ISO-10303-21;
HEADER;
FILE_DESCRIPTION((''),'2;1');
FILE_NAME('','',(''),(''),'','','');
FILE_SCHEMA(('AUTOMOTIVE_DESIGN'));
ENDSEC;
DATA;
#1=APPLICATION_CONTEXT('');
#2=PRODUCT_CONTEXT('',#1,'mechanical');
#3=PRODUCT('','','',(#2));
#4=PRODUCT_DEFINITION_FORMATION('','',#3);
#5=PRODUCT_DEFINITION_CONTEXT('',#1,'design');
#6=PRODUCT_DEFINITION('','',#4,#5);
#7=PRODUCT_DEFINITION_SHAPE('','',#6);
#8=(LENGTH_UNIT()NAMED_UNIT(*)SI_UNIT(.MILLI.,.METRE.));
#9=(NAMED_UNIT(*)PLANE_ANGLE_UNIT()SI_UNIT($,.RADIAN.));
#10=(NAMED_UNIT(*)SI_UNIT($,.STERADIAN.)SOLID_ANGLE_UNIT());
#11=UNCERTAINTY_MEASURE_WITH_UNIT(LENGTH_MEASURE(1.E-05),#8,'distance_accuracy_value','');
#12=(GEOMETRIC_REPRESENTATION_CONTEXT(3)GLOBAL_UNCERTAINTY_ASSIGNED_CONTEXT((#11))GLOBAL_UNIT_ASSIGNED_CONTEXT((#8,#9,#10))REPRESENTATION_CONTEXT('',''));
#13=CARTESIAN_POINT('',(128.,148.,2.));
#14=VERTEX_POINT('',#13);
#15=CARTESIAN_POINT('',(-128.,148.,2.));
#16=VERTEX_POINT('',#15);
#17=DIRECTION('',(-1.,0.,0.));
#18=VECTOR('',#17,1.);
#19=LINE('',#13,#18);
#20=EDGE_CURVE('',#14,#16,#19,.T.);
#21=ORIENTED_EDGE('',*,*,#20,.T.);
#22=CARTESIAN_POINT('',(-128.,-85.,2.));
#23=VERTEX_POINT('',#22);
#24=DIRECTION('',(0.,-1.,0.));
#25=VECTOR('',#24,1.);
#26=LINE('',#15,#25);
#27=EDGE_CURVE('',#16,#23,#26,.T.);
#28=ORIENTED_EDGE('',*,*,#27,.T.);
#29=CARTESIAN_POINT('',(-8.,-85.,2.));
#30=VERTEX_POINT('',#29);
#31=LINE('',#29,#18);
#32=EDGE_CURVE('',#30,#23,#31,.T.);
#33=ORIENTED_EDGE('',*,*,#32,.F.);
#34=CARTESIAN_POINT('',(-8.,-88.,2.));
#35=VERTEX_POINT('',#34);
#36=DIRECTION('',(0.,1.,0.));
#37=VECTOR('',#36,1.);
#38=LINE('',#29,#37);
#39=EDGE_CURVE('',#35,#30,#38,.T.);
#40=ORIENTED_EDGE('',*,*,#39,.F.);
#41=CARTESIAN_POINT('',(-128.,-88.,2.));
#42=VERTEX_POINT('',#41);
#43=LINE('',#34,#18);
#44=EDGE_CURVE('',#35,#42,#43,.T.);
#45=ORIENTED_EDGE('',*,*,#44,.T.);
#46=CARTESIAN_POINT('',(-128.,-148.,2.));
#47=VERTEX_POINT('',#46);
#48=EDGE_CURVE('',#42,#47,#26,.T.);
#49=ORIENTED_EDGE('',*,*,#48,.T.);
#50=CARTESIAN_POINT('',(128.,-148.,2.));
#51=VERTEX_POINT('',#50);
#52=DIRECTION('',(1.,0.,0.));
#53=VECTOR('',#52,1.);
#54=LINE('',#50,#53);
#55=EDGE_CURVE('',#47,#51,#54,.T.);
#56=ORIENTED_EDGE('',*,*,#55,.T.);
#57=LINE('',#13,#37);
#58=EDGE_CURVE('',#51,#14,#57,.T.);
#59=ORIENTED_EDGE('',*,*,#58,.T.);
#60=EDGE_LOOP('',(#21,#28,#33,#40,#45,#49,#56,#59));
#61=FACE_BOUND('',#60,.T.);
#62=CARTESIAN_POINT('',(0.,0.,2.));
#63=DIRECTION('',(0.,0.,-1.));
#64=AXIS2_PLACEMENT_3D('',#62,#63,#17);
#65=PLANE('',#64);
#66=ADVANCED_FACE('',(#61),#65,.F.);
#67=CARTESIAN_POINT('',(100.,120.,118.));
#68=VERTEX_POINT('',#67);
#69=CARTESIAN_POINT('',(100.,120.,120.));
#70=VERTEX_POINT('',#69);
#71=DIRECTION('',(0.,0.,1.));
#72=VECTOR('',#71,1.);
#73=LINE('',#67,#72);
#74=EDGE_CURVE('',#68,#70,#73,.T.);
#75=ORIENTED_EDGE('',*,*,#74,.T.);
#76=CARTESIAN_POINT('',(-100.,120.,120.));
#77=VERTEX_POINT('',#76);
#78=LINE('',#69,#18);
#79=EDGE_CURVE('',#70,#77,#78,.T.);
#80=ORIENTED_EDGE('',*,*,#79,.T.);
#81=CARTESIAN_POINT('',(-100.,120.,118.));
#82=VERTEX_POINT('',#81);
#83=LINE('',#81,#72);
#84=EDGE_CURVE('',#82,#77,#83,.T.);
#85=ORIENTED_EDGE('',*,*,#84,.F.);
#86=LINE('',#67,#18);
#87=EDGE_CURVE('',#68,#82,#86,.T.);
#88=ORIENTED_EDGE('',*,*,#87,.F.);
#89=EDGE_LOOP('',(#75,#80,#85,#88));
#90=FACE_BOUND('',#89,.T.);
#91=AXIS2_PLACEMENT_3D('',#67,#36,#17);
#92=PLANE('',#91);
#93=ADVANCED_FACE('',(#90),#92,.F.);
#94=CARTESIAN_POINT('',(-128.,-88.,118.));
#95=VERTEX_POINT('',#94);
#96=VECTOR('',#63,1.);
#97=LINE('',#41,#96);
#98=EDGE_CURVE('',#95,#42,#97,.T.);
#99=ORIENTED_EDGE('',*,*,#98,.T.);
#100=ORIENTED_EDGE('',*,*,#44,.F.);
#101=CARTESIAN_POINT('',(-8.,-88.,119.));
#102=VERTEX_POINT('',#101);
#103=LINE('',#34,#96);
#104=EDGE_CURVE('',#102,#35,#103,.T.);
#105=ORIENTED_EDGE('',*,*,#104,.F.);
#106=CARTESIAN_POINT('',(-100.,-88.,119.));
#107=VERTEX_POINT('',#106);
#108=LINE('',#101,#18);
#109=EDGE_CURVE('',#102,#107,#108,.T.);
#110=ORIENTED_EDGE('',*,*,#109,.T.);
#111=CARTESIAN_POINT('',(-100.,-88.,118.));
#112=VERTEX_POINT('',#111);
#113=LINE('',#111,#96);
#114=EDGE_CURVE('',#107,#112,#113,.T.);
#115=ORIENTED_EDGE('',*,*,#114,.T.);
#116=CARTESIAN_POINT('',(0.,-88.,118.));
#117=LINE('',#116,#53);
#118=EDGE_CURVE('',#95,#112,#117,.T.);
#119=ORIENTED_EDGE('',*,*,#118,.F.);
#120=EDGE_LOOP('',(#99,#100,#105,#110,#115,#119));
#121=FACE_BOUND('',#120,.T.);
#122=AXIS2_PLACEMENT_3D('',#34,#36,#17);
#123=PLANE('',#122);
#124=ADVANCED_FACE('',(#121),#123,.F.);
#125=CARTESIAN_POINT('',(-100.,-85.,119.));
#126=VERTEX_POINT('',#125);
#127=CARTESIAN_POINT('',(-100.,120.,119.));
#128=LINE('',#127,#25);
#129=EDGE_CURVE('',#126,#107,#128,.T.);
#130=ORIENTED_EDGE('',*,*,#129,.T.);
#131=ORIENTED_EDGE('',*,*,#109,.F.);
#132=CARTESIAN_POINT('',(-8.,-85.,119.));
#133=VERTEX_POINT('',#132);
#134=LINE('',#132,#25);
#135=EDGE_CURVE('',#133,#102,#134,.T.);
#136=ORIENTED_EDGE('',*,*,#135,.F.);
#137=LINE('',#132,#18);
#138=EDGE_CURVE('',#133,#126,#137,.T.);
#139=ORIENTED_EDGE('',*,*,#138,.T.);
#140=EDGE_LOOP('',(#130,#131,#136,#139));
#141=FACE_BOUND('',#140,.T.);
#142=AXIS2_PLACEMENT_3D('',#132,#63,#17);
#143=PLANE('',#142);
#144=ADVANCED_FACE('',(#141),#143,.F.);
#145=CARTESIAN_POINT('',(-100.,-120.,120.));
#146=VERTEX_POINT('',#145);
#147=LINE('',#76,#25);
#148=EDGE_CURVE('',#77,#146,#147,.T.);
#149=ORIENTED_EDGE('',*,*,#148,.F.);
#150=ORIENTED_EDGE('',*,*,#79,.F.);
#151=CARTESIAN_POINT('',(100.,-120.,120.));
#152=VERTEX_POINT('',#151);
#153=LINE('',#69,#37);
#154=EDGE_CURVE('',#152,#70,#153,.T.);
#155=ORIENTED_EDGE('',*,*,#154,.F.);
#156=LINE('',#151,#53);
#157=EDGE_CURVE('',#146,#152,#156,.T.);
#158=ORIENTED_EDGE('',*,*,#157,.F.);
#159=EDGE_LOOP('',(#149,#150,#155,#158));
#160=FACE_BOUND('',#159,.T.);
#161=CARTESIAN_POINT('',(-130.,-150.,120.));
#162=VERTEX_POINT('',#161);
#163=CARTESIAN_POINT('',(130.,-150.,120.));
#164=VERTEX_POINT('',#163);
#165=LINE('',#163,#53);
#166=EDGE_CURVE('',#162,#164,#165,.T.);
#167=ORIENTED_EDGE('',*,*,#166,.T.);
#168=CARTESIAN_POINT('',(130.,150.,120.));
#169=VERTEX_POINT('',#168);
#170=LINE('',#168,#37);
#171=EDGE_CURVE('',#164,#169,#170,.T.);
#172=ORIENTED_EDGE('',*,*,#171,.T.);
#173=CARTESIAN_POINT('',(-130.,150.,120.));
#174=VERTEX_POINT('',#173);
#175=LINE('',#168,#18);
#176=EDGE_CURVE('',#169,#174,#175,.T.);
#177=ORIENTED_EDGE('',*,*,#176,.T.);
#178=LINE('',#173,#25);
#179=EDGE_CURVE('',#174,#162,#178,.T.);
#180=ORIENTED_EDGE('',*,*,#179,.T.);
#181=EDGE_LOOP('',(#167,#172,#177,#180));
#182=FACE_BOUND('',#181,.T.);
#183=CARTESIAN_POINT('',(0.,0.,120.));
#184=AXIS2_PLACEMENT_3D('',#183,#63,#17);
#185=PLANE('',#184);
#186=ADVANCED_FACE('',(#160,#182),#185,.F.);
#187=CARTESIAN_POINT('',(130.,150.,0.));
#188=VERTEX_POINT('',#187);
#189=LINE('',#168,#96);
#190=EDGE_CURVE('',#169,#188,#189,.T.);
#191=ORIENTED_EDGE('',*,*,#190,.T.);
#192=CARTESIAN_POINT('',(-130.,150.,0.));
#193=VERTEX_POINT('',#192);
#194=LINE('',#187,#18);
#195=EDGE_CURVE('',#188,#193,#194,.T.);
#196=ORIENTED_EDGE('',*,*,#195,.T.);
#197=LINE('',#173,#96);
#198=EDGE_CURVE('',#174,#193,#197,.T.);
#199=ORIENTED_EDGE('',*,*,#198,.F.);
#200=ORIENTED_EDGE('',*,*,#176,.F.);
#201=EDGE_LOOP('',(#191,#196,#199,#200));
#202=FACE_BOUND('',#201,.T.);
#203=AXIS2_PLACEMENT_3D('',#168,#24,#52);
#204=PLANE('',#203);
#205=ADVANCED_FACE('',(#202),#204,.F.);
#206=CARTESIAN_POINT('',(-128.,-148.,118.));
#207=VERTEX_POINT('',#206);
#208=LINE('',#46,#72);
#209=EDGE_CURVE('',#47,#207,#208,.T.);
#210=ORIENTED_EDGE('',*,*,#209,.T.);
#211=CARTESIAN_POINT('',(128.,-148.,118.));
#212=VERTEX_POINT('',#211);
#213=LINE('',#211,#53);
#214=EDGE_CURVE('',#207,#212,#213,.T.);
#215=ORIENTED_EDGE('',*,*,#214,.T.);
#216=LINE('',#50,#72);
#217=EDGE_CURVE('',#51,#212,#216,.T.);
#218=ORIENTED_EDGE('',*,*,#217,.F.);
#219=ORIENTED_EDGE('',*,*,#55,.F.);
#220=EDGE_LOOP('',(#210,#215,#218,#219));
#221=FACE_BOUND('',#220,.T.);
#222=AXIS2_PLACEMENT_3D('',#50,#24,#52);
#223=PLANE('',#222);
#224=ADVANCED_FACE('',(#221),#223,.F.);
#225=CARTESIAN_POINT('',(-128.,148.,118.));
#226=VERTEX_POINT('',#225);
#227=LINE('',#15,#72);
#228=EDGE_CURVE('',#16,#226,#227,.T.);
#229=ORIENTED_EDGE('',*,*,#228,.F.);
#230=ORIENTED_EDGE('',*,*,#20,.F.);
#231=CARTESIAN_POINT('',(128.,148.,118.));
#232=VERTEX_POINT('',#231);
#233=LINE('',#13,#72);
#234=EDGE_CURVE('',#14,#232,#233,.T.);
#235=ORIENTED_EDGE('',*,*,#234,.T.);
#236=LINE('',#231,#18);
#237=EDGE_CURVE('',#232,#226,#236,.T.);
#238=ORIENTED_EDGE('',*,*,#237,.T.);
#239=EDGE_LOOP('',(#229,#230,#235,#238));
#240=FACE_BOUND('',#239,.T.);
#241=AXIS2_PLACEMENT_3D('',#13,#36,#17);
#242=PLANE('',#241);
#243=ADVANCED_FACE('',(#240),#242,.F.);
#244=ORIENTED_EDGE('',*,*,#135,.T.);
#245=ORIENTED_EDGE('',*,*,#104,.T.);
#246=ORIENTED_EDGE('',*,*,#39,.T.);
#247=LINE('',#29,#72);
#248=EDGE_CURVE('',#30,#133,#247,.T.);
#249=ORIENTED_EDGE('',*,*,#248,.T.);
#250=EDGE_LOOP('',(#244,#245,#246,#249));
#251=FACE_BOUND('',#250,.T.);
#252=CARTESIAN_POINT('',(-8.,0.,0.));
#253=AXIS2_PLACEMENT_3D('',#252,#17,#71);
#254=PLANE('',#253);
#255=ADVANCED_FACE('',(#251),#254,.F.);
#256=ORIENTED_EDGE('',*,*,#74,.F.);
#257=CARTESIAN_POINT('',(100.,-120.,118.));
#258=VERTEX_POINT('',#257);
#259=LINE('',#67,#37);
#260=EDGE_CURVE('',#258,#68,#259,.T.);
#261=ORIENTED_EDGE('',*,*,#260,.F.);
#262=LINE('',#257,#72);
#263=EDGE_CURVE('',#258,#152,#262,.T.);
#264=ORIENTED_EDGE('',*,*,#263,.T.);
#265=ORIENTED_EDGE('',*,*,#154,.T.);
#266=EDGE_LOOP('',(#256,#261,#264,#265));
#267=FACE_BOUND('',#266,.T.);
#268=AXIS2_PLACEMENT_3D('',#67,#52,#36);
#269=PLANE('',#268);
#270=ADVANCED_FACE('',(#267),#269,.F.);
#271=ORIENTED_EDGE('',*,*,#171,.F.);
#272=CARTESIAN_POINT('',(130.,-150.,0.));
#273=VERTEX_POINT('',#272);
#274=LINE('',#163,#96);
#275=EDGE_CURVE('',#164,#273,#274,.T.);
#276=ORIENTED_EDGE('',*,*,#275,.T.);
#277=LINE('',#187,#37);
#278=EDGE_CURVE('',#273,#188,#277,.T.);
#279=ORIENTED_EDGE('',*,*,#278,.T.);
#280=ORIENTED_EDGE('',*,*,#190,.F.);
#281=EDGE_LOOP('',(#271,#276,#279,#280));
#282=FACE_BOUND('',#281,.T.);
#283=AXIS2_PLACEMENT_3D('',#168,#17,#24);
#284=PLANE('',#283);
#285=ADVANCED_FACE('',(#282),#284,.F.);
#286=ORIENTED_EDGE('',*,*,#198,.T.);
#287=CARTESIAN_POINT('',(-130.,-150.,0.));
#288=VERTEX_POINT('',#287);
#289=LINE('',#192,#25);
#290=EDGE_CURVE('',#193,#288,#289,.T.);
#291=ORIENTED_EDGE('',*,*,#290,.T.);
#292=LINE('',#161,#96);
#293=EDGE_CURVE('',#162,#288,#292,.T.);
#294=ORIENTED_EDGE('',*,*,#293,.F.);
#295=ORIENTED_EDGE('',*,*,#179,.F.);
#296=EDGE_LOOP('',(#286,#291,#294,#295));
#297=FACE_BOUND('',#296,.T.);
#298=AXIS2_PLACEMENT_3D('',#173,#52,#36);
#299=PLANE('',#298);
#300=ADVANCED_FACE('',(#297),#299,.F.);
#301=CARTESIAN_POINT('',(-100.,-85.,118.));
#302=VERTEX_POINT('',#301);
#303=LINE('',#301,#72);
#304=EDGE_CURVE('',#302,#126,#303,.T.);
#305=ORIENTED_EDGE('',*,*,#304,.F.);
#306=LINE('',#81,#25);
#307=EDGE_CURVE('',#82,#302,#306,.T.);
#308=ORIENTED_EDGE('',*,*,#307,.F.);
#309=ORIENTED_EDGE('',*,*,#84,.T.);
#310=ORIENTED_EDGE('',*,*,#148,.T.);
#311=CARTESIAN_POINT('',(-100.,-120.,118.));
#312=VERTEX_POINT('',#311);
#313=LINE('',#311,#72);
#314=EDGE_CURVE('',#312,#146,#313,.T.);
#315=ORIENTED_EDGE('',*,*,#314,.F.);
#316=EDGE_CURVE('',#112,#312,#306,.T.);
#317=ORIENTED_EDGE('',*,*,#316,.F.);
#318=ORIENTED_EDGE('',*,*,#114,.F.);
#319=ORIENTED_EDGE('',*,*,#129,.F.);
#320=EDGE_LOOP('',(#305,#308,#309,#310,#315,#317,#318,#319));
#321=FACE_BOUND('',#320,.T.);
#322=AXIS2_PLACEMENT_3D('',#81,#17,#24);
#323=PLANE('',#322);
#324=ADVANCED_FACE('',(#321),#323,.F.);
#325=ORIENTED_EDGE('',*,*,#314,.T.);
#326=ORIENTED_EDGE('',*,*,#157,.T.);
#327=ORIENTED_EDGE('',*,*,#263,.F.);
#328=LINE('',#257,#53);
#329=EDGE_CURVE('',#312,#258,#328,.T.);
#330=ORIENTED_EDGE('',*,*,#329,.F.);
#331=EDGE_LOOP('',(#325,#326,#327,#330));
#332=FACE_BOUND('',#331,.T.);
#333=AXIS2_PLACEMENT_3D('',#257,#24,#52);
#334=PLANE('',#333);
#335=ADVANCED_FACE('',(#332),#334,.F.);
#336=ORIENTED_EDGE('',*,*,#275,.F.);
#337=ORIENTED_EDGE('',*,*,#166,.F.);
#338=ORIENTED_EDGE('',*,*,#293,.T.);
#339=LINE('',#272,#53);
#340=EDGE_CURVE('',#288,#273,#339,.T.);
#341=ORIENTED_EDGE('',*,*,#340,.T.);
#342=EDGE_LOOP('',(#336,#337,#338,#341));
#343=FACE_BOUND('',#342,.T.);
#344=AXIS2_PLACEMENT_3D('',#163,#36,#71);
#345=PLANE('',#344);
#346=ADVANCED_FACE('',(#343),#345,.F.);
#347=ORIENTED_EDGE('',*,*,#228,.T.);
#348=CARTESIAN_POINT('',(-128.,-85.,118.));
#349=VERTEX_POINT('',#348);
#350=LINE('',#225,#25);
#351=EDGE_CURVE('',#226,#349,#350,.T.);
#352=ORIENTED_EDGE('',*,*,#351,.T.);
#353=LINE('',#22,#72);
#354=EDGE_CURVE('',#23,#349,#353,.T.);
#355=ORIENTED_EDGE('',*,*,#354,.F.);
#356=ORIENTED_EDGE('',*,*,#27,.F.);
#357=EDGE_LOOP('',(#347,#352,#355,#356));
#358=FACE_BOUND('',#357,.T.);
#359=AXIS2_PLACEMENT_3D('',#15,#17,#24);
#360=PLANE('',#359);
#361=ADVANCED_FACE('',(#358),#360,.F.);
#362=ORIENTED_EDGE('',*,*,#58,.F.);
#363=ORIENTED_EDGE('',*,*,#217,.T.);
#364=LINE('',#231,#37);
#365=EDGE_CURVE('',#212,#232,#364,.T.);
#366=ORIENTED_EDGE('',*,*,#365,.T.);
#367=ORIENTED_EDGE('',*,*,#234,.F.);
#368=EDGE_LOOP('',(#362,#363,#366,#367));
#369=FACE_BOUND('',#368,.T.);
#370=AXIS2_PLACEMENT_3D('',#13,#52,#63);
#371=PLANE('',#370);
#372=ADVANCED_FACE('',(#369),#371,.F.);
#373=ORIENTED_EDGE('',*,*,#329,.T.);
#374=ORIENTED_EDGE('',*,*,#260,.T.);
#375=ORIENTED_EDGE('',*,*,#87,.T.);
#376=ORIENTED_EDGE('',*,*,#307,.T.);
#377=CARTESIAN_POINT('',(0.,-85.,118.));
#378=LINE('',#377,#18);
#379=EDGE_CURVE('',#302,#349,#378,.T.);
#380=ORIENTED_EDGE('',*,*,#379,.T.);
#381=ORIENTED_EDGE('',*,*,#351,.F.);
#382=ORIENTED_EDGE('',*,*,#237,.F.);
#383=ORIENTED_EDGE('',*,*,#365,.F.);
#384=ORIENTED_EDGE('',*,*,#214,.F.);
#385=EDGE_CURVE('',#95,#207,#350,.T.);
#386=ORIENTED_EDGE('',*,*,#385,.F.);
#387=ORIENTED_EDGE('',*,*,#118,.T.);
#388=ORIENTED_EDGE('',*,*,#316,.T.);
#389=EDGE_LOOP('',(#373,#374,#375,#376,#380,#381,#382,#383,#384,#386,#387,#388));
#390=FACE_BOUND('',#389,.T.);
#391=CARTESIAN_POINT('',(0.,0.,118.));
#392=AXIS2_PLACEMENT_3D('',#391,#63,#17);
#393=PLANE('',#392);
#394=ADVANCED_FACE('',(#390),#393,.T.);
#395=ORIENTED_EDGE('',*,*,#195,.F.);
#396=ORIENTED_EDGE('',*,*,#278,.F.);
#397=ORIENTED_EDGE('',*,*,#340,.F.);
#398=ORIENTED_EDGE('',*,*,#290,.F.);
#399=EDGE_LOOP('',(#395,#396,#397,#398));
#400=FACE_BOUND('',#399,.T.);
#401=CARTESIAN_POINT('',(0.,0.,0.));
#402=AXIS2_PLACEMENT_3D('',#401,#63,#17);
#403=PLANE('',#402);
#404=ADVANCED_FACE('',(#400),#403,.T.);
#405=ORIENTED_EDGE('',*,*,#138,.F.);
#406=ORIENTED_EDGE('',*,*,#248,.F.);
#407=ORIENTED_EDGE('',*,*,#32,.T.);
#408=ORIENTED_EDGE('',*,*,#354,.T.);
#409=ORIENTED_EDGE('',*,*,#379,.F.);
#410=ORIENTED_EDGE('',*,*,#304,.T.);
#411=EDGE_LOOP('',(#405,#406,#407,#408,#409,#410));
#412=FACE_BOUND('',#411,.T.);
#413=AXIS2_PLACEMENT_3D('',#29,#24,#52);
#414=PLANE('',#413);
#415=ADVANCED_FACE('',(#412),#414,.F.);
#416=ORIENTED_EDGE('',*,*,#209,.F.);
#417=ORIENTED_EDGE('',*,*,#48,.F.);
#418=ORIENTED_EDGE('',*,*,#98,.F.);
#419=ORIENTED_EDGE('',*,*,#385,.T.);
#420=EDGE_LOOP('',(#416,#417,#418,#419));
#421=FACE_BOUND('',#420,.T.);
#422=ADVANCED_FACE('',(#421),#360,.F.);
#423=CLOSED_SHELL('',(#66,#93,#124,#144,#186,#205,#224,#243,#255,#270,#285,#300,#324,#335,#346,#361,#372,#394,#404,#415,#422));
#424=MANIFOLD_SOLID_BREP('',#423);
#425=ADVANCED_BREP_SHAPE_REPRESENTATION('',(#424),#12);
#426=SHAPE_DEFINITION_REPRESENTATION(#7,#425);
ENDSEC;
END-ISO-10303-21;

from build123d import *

# Parameters (mm, degrees)
CROQUIS2_W              = 260
CROQUIS2_H              = 300
SALIENTE_EXTRUIR1_DEPTH = 120
CROQUIS3_W              = 200
CROQUIS3_H              = 240
CORTAR_EXTRUIR2_DEPTH   = 2
CROQUIS4_W              = 256
CROQUIS4_H              = 296
CORTAR_EXTRUIR3_DEPTH   = 116
CROQUIS6_W              = 117
CROQUIS6_H              = 3
SALIENTE_EXTRUIR2_DEPTH = 120


with BuildPart() as part:
    # Croquis2 → Saliente-Extruir1 (new body)
    with BuildSketch(Plane.XY):
        Rectangle(CROQUIS2_W, CROQUIS2_H)
    extrude(amount=SALIENTE_EXTRUIR1_DEPTH)

    # Croquis3 → Cortar-Extruir2 (cut)
    with BuildSketch(Plane.XY.offset(120)):
        Rectangle(CROQUIS3_W, CROQUIS3_H)
    extrude(amount=-CORTAR_EXTRUIR2_DEPTH, mode=Mode.SUBTRACT)

    # Croquis4 → Cortar-Extruir3 (cut)
    with BuildSketch(Plane.XY.offset(118)):
        Rectangle(CROQUIS4_W, CROQUIS4_H)
    extrude(amount=-CORTAR_EXTRUIR3_DEPTH, mode=Mode.SUBTRACT)

    # Croquis6 → Saliente-Extruir2 (add)
    with BuildSketch(Plane(origin=(-128, 0, 0), x_dir=(0, 0, -1), z_dir=(1, 0, 0))):
        with Locations((-60.5, -86.5)):
            Rectangle(CROQUIS6_W, CROQUIS6_H)
    extrude(amount=SALIENTE_EXTRUIR2_DEPTH)


solid = part.part
